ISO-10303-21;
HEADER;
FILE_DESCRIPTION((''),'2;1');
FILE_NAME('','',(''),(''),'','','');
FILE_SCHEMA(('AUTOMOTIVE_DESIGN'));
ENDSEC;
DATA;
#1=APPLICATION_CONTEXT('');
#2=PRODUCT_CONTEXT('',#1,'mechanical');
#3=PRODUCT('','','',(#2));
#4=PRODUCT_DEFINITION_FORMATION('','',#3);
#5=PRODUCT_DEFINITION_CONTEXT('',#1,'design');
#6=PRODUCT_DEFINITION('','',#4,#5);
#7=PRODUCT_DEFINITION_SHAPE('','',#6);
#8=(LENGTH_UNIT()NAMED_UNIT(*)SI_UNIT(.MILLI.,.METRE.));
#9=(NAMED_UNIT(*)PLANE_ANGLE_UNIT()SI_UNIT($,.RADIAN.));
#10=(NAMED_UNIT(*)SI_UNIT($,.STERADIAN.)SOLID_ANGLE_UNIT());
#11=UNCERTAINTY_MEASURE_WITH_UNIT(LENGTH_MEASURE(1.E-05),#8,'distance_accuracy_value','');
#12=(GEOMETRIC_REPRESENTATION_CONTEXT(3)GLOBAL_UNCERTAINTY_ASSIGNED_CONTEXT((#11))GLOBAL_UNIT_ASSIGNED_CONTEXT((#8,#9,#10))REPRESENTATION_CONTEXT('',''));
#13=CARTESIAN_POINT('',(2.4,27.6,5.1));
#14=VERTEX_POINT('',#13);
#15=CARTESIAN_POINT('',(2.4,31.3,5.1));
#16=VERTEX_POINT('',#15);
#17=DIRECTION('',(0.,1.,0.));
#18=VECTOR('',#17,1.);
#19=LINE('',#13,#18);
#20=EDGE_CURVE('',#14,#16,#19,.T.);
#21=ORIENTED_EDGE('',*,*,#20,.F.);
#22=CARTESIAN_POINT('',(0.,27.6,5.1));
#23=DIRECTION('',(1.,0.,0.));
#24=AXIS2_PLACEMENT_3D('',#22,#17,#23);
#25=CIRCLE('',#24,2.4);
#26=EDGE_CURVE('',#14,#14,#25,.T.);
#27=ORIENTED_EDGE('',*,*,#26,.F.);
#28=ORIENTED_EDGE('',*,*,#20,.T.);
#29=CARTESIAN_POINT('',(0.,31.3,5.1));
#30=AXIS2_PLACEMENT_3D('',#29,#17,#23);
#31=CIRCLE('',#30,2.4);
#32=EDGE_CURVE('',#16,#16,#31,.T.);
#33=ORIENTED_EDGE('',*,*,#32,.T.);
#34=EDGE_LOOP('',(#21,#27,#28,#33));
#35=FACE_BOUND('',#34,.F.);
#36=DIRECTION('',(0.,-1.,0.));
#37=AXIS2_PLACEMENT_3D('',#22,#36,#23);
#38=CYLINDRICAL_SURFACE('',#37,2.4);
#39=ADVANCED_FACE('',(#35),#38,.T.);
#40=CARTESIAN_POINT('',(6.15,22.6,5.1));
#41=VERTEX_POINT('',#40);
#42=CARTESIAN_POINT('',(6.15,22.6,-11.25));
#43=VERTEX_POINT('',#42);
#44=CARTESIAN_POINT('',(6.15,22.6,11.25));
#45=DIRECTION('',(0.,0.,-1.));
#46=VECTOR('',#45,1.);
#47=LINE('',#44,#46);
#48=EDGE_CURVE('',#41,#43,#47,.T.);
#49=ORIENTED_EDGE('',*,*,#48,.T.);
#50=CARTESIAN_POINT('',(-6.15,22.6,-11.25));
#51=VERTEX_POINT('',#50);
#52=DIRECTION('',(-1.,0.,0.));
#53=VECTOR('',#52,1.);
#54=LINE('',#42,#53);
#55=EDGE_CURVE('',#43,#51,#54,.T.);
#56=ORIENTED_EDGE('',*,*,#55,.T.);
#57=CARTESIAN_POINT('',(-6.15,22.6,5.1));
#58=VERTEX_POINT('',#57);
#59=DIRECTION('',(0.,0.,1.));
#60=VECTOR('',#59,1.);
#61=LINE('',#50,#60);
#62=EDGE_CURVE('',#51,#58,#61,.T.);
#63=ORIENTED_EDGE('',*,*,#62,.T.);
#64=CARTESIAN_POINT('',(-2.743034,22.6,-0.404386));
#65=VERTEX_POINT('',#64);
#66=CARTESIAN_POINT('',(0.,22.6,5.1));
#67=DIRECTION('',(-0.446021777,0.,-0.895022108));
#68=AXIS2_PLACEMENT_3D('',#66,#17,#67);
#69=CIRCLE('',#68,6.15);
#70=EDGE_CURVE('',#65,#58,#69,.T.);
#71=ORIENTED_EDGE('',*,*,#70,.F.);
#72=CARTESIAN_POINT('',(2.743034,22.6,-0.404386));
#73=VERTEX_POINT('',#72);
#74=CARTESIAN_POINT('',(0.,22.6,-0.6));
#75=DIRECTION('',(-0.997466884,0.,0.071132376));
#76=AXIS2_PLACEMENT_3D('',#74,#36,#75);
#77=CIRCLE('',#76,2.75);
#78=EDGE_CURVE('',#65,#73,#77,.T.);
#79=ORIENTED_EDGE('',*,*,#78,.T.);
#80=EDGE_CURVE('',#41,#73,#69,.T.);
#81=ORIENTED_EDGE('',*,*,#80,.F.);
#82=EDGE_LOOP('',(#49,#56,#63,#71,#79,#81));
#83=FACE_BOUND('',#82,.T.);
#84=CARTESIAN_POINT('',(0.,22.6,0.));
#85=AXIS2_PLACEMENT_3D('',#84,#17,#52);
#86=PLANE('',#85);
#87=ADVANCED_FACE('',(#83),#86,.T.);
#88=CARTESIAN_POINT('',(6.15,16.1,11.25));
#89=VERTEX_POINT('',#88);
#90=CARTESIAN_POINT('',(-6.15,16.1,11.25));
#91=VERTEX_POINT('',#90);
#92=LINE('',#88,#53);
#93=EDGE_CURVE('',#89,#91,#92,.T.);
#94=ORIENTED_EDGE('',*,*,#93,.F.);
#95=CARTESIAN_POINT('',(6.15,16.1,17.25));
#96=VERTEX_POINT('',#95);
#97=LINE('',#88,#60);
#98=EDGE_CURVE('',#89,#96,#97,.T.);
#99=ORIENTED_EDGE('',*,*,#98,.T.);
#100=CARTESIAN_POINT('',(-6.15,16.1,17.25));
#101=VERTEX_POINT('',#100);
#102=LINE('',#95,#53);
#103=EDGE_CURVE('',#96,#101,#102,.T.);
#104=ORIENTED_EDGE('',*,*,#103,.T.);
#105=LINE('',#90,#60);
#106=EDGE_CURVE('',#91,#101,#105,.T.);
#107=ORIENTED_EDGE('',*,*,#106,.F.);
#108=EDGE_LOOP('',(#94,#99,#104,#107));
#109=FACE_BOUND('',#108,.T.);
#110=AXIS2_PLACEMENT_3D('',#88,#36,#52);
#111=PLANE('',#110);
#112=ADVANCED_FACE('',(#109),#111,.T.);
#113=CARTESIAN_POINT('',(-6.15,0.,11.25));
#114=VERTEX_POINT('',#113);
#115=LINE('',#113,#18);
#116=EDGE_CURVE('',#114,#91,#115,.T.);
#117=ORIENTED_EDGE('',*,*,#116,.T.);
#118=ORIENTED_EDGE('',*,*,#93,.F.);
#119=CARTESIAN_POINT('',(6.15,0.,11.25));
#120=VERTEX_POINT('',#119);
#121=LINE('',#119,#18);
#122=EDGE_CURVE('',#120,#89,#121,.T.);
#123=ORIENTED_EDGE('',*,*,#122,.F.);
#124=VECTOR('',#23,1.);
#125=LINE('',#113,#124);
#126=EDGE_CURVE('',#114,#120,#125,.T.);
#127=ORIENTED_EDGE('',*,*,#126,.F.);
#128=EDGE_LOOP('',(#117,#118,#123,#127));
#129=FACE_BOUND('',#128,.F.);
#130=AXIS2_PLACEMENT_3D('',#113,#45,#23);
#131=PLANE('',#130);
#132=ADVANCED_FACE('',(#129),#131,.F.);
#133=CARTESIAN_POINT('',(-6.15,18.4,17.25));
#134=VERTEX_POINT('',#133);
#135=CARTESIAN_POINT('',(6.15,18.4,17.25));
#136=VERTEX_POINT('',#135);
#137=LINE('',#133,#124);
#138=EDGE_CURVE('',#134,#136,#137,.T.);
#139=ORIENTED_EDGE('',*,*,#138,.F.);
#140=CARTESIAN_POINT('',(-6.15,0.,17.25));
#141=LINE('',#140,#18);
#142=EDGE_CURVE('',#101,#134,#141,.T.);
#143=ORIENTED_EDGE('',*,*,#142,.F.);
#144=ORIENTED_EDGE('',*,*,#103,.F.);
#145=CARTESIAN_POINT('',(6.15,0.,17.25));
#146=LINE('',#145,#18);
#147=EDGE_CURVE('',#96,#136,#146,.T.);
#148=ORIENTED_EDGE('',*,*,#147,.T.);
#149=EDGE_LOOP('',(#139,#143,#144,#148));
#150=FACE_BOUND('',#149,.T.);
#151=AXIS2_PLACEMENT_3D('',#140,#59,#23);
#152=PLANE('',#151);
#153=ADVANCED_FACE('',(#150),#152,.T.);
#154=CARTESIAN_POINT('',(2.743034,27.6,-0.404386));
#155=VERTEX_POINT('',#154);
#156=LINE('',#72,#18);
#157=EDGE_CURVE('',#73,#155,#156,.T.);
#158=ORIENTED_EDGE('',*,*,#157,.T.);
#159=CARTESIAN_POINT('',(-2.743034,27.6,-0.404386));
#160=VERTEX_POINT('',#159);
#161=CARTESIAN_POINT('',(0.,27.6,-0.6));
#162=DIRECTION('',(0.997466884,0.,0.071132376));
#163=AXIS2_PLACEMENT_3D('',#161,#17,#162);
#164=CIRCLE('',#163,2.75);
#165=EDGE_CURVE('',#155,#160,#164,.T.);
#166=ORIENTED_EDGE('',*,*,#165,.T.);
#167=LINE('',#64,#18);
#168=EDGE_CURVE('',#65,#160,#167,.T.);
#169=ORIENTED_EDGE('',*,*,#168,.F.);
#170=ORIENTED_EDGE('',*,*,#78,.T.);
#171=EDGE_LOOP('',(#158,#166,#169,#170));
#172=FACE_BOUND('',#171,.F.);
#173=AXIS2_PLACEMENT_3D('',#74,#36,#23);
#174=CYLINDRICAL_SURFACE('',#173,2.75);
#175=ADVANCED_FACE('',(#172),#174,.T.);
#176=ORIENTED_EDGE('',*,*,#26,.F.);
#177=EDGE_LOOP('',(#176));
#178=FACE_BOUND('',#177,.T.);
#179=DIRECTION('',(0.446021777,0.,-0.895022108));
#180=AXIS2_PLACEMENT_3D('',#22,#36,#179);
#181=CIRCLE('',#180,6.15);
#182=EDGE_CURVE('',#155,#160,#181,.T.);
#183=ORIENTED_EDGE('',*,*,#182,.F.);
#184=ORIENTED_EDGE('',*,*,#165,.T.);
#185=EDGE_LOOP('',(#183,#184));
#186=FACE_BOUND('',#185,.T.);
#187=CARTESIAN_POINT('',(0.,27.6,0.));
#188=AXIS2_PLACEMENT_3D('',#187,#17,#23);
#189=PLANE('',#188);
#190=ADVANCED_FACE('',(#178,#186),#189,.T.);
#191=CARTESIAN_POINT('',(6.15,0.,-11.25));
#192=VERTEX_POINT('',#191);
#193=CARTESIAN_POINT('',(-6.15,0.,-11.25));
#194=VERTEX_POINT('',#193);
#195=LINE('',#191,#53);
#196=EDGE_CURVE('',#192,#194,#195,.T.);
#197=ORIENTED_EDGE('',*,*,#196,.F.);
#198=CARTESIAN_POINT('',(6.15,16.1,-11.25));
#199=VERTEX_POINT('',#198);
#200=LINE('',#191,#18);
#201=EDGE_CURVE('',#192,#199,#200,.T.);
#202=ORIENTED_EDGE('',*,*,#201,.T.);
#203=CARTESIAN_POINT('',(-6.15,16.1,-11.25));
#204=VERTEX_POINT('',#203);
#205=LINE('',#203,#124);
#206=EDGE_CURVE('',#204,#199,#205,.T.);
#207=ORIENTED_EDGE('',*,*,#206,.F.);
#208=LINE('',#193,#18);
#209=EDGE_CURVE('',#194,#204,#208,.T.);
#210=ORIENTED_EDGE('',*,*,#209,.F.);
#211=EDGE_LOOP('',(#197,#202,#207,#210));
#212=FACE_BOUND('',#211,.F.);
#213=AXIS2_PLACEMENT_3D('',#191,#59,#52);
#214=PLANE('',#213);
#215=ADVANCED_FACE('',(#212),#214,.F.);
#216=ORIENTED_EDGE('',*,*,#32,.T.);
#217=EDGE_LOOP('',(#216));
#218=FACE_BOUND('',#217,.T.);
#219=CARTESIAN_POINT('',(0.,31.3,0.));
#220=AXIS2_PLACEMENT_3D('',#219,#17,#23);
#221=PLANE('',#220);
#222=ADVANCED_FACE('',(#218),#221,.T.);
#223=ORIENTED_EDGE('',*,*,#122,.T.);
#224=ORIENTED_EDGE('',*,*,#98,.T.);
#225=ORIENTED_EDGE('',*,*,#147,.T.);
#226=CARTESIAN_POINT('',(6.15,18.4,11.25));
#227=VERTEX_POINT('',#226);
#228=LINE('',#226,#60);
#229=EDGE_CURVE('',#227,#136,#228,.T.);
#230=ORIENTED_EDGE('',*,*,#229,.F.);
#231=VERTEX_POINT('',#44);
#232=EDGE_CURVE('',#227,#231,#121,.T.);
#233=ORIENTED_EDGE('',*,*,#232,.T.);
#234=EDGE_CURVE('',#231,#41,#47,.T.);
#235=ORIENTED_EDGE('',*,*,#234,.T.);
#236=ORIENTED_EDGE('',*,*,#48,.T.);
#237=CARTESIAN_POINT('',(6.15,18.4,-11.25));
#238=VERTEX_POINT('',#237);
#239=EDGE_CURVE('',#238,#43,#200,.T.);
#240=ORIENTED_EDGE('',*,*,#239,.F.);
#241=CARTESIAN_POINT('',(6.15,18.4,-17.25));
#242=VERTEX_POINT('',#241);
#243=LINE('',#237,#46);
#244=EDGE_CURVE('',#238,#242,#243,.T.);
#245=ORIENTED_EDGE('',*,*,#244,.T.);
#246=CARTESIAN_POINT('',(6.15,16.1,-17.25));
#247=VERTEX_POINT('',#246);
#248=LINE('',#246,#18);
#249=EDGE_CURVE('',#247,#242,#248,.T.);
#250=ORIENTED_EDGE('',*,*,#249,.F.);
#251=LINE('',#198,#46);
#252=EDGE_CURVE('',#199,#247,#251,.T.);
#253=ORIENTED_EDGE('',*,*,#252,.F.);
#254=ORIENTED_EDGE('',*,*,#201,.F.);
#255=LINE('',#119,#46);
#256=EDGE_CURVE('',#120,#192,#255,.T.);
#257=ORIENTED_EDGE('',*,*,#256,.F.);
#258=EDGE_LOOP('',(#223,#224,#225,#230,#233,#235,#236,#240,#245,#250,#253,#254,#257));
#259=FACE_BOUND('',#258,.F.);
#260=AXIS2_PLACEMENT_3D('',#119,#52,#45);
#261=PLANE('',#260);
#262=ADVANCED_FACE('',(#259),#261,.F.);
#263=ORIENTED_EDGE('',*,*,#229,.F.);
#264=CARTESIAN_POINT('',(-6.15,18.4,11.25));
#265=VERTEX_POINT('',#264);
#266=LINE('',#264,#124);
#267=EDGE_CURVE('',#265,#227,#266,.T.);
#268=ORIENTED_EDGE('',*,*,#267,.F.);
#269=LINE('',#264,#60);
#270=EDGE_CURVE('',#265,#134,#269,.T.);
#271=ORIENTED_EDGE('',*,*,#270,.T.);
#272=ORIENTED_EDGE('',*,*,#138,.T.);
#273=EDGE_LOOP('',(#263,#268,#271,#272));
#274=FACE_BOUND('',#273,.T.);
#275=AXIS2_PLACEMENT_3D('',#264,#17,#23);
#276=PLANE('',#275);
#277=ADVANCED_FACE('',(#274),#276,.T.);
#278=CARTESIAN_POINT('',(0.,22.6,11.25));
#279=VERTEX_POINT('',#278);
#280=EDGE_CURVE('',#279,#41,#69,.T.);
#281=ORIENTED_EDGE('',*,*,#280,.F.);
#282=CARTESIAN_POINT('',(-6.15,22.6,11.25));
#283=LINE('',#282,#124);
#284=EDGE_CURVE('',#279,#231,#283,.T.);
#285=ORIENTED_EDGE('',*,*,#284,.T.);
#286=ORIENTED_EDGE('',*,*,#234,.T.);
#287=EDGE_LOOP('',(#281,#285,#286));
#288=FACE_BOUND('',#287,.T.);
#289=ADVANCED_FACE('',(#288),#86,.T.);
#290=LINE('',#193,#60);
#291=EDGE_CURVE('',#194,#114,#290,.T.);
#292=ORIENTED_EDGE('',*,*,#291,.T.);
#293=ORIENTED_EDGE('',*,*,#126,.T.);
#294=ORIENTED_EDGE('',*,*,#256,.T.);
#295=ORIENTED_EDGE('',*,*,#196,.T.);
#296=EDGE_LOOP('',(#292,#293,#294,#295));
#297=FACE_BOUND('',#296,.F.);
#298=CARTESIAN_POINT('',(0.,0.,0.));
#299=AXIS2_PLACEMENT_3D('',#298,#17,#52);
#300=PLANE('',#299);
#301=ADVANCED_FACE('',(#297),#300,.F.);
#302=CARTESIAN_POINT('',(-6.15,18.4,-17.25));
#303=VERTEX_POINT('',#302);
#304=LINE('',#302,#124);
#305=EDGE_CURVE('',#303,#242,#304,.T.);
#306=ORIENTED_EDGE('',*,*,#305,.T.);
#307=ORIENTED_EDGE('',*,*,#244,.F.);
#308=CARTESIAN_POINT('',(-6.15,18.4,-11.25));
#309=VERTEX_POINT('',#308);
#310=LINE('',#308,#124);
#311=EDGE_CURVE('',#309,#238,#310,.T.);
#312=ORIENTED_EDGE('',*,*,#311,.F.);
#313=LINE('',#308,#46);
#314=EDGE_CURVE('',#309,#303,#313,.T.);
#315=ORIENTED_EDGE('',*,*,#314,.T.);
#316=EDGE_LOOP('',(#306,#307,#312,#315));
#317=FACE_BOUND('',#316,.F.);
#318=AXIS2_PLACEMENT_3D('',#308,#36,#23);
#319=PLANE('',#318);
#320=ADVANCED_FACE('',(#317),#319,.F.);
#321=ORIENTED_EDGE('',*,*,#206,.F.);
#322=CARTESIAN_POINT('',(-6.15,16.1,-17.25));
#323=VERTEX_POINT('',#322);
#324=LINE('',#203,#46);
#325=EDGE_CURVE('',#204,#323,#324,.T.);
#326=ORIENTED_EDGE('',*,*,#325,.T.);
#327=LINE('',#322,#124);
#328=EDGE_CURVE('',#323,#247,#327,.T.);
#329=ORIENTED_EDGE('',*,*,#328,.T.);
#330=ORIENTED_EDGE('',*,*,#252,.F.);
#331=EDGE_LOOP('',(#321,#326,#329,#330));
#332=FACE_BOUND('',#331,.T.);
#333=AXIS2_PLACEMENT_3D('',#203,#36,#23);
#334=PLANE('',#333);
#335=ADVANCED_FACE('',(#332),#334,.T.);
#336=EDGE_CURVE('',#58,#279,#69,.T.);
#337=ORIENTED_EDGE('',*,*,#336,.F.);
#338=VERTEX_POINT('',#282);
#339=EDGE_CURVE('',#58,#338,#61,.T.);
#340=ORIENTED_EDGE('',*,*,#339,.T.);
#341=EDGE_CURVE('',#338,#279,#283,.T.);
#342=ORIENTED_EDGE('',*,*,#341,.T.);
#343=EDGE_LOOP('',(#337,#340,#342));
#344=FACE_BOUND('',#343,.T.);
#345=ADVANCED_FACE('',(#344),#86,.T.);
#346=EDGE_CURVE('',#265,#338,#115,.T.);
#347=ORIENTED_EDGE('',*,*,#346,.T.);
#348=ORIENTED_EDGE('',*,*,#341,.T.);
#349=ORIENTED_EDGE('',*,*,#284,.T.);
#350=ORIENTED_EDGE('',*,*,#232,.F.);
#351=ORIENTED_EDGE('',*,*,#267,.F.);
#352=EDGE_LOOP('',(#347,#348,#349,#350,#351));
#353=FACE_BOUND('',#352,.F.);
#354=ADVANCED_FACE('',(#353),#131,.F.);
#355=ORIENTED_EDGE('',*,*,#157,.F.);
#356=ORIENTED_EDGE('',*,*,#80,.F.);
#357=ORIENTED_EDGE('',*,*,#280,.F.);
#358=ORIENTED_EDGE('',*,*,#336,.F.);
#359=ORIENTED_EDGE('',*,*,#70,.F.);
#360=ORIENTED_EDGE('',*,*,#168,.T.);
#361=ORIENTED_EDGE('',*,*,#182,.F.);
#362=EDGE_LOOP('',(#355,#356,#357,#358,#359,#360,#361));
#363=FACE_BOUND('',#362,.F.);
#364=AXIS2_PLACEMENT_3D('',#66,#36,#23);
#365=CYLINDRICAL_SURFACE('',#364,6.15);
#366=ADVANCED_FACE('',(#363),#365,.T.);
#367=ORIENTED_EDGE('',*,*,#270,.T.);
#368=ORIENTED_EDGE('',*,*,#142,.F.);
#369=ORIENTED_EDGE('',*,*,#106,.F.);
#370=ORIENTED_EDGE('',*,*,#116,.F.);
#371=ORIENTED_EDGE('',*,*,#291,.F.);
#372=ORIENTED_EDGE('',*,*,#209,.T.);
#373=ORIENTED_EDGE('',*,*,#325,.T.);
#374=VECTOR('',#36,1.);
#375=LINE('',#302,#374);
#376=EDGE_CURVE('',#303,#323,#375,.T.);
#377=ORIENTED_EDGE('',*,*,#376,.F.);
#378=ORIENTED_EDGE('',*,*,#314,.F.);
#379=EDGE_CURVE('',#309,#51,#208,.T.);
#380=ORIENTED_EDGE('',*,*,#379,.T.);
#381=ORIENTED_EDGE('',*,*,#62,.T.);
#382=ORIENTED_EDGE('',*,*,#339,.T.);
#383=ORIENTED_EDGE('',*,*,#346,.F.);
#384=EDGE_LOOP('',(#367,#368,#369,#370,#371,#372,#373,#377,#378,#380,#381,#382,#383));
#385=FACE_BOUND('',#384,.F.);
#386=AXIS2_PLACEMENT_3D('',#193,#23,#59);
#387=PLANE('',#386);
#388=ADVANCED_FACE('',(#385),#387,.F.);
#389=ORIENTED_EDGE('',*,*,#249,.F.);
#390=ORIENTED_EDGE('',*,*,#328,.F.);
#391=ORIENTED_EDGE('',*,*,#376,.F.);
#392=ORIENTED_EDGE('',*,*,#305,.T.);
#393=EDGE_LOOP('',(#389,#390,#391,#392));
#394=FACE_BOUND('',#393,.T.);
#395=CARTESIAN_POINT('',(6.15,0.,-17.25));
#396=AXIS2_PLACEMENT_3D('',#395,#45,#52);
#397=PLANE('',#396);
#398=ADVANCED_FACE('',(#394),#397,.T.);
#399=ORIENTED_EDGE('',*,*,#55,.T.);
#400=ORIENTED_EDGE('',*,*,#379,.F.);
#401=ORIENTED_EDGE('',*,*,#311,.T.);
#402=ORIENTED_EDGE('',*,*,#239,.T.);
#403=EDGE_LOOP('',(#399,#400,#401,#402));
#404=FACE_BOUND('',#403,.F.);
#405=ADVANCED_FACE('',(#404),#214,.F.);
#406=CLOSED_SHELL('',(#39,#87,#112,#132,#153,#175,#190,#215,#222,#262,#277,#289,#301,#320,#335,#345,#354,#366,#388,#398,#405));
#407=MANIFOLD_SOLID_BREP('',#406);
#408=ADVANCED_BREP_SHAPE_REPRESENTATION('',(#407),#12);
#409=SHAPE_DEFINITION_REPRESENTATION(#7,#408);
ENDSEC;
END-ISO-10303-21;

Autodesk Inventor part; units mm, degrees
ref_plane "YZ Plane" through (0, 0, 0) normal (1, 0, 0) x (0, 1, 0)
ref_plane "XZ Plane" through (0, 0, 0) normal (0, 1, 0) x (-1, 0, 0)
ref_plane "XY Plane" through (0, 0, 0) normal (0, 0, 1) x (1, 0, 0)
sketch "Esquisse1" plane through (0, 0, 0) normal (0, 1, 0) x (-1, 0, 0)
  line L0 (6.15, 11.25) -> (-6.15, 11.25)
  line L1 (-6.15, 11.25) -> (-6.15, -11.25)
  line L2 (-6.15, -11.25) -> (6.15, -11.25)
  line L3 (6.15, -11.25) -> (6.15, 11.25)
  line L4 (6.15, 11.25) -> (-6.15, -11.25)
  line L5 (-6.15, 11.25) -> (6.15, -11.25)
  point P0 (0, 0)
  point P1 (0, 0)
  point P2 (0, 0)
  dimension "d0" = 22.5
  dimension "d1" = 12.3
extrude "Extrusion1" add sketch "Esquisse1" along normal blind 22.6
sketch "Esquisse2" plane through (-6.15, 0, 11.25) normal (0, 0, 1) x (1, 0, 0)
  line L0 (0, 0) -> (0, 22.6) projected
  line L1 (12.3, 0) -> (12.3, 22.6) projected
  line L2 (0, 18.4) -> (12.3, 18.4)
  line L3 (12.3, 18.4) -> (12.3, 16.1)
  line L4 (12.3, 16.1) -> (0, 16.1)
  line L5 (0, 16.1) -> (0, 18.4)
  line L6 (0, 0) -> (12.3, 0) projected
  point P0 (6.15, 0)
  point P1 (0, 16.1)
  dimension "d4" = 2.3
  dimension "d5" = 16.1
extrude "Extrusion2" add sketch "Esquisse2" along normal blind 6 contours L0 L2 L1 L4
sketch "Esquisse3" plane through (6.15, 0, -11.25) normal (0, 0, -1) x (-1, 0, 0)
  line L0 (12.3, 18.4) -> (0, 18.4) projected
  line L1 (12.3, 0) -> (12.3, 16.1) projected
  line L2 (0, 18.4) -> (12.3, 18.4)
  line L3 (12.3, 18.4) -> (12.3, 16.1)
  line L4 (12.3, 16.1) -> (0, 16.1)
  line L5 (0, 16.1) -> (0, 18.4)
  point P0 (6.15, 0)
extrude "Extrusion3" add sketch "Esquisse3" along normal blind 6
sketch "Esquisse4" plane through (0, 22.6, 0) normal (0, 1, 0) x (1, 0, 0)
  circle A0 centre (0, -5.1) radius 6.15
  line L0 (-6.15, 11.25) -> (-6.15, -11.25) projected
  line L1 (-6.15, -11.25) -> (6.15, -11.25) projected
  circle A1 centre (0, 0.6) radius 2.75
  point P0 (0, 0)
  point P1 (-2.743, 0.4044)
  point P2 (2.743, 0.4044)
  dimension "d10" = 12.3
  dimension "d11" = 6.15
  dimension "d12" = 5.5
  dimension "d13" = 14.6
extrude "Extrusion4" add sketch "Esquisse4" along normal blind 5 contours A0 A1 | A1 A0 | A0 A1
sketch "Esquisse5" plane through (0, 27.6, 0) normal (0, 1, 0) x (1, 0, 0)
  arc A0 (-6.15, -5.1) -> (0, -11.25) centre (0, -5.1) ccw projected
  circle A1 centre (0, -5.1) radius 2.4
  point P0 (0, 0)
  dimension "d16" = 4.8
extrude "Extrusion5" add sketch "Esquisse5" along normal blind 3.7
properties part number "servomoteur"
